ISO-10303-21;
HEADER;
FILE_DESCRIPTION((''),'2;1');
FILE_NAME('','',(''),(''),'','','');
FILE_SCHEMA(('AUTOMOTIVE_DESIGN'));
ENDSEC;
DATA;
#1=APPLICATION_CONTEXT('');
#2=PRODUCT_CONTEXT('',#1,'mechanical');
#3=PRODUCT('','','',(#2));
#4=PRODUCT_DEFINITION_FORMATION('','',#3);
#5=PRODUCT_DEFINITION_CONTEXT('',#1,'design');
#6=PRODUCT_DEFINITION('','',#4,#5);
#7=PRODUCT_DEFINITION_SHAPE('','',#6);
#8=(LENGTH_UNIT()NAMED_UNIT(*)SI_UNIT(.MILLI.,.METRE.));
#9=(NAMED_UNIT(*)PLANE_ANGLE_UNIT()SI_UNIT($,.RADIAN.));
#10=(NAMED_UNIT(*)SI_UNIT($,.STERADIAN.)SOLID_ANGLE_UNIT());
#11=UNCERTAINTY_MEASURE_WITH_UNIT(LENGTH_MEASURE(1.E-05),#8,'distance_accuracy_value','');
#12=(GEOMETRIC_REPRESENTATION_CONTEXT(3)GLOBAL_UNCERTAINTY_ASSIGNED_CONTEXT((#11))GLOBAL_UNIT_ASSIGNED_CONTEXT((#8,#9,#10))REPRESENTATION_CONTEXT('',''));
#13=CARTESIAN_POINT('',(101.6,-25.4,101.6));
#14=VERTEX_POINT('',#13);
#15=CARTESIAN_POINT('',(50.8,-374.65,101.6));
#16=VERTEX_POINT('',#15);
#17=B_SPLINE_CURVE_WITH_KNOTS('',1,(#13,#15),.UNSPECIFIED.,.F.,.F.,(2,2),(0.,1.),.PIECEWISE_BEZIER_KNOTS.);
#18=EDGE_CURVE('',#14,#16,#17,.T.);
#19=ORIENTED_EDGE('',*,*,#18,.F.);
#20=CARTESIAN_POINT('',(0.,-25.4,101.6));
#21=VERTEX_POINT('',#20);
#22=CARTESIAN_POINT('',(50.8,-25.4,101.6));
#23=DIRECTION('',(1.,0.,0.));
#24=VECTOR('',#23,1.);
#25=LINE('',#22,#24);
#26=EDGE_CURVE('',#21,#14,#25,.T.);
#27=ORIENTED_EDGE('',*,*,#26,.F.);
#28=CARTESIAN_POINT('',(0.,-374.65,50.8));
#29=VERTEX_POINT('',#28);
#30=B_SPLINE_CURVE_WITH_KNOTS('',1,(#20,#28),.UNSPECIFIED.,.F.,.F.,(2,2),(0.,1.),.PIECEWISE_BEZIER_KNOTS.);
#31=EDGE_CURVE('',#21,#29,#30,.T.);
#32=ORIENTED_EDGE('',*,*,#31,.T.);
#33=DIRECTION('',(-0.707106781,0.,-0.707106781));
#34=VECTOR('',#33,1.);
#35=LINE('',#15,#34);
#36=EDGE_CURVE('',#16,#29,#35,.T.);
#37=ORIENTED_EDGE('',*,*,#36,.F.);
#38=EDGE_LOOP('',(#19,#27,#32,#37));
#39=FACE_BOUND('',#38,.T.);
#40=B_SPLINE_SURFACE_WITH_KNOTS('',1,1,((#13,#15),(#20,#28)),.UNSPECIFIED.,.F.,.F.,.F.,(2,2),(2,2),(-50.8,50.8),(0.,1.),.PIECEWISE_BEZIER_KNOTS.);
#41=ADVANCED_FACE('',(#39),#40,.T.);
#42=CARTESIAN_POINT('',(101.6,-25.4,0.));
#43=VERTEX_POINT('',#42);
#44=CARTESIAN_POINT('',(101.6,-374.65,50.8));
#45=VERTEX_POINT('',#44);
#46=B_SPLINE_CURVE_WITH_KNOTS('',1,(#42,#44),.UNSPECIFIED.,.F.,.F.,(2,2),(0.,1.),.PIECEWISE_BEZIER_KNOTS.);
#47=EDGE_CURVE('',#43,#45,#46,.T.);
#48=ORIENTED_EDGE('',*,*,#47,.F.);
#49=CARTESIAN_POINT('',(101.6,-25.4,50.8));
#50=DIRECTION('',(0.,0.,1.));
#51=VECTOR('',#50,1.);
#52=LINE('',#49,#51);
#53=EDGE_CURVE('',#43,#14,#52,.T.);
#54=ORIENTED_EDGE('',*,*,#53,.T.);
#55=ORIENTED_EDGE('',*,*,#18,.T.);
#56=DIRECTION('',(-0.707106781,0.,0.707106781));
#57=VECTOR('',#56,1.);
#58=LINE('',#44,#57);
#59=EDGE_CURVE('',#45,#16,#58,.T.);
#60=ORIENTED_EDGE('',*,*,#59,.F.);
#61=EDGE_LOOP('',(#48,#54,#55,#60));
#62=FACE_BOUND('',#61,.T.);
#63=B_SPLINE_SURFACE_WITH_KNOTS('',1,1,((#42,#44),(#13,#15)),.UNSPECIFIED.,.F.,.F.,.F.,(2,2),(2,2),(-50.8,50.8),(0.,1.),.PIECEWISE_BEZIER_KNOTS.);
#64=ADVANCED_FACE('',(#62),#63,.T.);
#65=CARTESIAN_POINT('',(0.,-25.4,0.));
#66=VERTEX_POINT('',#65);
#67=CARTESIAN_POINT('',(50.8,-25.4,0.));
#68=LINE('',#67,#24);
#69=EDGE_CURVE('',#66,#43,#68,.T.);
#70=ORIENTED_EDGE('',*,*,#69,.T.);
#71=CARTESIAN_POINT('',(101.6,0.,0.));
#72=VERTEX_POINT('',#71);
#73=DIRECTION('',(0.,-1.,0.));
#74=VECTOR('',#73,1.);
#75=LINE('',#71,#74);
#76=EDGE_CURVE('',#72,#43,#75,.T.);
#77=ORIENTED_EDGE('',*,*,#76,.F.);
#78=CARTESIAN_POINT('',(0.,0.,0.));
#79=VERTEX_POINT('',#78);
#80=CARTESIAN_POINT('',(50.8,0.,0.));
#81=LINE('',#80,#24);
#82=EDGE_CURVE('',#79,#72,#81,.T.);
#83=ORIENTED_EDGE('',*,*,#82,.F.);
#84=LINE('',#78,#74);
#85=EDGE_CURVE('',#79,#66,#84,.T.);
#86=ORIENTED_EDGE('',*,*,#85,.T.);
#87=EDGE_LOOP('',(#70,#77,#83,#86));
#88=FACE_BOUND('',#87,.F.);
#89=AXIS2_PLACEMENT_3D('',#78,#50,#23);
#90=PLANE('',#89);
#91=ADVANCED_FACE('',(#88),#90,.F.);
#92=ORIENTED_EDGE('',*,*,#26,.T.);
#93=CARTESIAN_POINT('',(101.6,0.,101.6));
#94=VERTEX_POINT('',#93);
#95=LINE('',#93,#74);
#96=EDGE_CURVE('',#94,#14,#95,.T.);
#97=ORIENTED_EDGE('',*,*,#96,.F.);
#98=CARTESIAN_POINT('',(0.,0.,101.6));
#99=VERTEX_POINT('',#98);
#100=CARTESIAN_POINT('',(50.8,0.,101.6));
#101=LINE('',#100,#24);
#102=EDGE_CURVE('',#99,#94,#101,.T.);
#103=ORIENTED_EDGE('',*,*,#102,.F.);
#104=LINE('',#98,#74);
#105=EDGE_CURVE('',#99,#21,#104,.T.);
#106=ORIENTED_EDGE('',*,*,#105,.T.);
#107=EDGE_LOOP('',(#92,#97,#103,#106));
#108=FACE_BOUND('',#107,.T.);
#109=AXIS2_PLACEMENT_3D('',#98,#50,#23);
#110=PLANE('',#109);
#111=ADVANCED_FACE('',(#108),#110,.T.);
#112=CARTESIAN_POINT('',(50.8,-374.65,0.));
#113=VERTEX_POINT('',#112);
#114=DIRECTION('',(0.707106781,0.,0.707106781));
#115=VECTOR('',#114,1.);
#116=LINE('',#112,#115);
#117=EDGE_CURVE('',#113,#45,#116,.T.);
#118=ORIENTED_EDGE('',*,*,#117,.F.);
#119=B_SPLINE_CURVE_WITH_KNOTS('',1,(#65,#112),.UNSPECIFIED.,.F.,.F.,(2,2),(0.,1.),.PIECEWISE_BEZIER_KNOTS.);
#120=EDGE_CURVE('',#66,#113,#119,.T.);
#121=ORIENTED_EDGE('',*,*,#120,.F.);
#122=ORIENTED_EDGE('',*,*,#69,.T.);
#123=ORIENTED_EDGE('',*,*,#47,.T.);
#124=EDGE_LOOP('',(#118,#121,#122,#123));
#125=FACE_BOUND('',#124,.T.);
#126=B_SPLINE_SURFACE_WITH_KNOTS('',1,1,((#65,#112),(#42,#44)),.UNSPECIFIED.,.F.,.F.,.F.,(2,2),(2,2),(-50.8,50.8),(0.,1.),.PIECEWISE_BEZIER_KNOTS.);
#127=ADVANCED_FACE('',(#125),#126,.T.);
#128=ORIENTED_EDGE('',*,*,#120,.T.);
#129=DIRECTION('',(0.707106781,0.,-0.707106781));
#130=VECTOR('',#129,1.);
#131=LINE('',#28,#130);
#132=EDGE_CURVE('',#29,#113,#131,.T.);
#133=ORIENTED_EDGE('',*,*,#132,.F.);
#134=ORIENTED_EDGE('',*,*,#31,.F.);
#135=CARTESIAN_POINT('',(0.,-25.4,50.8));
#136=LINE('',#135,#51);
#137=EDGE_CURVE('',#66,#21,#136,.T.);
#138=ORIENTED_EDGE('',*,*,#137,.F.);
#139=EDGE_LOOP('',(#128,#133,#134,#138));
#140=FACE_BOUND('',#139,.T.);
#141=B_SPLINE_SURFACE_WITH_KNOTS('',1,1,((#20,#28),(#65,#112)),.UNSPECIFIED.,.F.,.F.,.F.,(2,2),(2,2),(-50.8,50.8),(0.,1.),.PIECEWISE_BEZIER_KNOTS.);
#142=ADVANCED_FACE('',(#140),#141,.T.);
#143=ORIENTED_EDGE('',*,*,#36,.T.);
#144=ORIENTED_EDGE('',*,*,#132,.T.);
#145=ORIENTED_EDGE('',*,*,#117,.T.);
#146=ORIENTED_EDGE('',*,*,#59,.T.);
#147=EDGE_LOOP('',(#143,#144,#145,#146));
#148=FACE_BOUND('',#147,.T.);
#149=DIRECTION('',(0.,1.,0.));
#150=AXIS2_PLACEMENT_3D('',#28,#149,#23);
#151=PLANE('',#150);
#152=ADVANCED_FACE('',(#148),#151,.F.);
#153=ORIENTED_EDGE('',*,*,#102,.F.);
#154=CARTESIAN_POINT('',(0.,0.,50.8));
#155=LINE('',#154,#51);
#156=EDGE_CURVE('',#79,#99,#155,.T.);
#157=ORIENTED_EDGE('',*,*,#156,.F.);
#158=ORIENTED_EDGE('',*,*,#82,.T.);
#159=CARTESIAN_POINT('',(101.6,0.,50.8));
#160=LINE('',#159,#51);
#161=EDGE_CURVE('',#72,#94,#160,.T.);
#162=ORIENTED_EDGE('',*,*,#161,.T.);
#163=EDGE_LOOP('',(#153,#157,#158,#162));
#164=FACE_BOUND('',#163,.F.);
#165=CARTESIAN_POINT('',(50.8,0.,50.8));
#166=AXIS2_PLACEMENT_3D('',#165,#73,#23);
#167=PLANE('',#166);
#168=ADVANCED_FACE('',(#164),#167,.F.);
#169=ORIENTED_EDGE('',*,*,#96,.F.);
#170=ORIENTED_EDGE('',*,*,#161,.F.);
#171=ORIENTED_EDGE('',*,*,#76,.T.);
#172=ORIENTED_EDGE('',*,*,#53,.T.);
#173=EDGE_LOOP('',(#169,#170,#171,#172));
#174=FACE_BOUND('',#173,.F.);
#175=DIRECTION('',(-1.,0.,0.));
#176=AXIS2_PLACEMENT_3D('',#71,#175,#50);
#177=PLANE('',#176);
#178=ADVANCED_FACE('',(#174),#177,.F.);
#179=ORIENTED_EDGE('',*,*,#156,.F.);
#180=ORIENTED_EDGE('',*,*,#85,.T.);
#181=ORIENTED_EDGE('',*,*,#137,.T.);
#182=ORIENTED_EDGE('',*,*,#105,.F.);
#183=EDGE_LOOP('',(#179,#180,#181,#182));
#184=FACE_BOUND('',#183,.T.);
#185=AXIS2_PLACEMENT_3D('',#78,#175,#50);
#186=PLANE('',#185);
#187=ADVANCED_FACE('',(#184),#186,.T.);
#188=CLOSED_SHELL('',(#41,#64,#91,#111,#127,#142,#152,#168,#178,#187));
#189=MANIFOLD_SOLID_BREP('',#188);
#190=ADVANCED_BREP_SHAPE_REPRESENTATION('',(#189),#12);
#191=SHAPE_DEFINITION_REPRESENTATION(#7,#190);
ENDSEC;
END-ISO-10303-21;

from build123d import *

# Parameters (mm, degrees)
F0_W      = 101.6
F0_H      = 101.6
F1_DEPTH  = 25.4
F1_FACE_W = 101.6
F1_FACE_H = 101.6


with BuildPart() as f1:
    # F0 (on Front) → F1 (new body)
    with BuildSketch(Plane.XZ):
        with Locations((50.8, 50.8)):
            Rectangle(F0_W, F0_H)
    extrude(amount=F1_DEPTH)

    # F1_face (on face) → F4 section 0
    with BuildSketch(Plane(origin=(50.8, -25.4, 50.8), x_dir=(1, 0, 0), z_dir=(0, -1, 0))):
        Rectangle(F1_FACE_W, F1_FACE_H)
    # F3 (on offset) → F4 section 1
    with BuildSketch(Plane.XZ.offset(374.65)):
        Polygon((0, 50.8), (50.8, 0), (101.6, 50.8), (50.8, 101.6), align=None)
    loft()


solid = f1.part
